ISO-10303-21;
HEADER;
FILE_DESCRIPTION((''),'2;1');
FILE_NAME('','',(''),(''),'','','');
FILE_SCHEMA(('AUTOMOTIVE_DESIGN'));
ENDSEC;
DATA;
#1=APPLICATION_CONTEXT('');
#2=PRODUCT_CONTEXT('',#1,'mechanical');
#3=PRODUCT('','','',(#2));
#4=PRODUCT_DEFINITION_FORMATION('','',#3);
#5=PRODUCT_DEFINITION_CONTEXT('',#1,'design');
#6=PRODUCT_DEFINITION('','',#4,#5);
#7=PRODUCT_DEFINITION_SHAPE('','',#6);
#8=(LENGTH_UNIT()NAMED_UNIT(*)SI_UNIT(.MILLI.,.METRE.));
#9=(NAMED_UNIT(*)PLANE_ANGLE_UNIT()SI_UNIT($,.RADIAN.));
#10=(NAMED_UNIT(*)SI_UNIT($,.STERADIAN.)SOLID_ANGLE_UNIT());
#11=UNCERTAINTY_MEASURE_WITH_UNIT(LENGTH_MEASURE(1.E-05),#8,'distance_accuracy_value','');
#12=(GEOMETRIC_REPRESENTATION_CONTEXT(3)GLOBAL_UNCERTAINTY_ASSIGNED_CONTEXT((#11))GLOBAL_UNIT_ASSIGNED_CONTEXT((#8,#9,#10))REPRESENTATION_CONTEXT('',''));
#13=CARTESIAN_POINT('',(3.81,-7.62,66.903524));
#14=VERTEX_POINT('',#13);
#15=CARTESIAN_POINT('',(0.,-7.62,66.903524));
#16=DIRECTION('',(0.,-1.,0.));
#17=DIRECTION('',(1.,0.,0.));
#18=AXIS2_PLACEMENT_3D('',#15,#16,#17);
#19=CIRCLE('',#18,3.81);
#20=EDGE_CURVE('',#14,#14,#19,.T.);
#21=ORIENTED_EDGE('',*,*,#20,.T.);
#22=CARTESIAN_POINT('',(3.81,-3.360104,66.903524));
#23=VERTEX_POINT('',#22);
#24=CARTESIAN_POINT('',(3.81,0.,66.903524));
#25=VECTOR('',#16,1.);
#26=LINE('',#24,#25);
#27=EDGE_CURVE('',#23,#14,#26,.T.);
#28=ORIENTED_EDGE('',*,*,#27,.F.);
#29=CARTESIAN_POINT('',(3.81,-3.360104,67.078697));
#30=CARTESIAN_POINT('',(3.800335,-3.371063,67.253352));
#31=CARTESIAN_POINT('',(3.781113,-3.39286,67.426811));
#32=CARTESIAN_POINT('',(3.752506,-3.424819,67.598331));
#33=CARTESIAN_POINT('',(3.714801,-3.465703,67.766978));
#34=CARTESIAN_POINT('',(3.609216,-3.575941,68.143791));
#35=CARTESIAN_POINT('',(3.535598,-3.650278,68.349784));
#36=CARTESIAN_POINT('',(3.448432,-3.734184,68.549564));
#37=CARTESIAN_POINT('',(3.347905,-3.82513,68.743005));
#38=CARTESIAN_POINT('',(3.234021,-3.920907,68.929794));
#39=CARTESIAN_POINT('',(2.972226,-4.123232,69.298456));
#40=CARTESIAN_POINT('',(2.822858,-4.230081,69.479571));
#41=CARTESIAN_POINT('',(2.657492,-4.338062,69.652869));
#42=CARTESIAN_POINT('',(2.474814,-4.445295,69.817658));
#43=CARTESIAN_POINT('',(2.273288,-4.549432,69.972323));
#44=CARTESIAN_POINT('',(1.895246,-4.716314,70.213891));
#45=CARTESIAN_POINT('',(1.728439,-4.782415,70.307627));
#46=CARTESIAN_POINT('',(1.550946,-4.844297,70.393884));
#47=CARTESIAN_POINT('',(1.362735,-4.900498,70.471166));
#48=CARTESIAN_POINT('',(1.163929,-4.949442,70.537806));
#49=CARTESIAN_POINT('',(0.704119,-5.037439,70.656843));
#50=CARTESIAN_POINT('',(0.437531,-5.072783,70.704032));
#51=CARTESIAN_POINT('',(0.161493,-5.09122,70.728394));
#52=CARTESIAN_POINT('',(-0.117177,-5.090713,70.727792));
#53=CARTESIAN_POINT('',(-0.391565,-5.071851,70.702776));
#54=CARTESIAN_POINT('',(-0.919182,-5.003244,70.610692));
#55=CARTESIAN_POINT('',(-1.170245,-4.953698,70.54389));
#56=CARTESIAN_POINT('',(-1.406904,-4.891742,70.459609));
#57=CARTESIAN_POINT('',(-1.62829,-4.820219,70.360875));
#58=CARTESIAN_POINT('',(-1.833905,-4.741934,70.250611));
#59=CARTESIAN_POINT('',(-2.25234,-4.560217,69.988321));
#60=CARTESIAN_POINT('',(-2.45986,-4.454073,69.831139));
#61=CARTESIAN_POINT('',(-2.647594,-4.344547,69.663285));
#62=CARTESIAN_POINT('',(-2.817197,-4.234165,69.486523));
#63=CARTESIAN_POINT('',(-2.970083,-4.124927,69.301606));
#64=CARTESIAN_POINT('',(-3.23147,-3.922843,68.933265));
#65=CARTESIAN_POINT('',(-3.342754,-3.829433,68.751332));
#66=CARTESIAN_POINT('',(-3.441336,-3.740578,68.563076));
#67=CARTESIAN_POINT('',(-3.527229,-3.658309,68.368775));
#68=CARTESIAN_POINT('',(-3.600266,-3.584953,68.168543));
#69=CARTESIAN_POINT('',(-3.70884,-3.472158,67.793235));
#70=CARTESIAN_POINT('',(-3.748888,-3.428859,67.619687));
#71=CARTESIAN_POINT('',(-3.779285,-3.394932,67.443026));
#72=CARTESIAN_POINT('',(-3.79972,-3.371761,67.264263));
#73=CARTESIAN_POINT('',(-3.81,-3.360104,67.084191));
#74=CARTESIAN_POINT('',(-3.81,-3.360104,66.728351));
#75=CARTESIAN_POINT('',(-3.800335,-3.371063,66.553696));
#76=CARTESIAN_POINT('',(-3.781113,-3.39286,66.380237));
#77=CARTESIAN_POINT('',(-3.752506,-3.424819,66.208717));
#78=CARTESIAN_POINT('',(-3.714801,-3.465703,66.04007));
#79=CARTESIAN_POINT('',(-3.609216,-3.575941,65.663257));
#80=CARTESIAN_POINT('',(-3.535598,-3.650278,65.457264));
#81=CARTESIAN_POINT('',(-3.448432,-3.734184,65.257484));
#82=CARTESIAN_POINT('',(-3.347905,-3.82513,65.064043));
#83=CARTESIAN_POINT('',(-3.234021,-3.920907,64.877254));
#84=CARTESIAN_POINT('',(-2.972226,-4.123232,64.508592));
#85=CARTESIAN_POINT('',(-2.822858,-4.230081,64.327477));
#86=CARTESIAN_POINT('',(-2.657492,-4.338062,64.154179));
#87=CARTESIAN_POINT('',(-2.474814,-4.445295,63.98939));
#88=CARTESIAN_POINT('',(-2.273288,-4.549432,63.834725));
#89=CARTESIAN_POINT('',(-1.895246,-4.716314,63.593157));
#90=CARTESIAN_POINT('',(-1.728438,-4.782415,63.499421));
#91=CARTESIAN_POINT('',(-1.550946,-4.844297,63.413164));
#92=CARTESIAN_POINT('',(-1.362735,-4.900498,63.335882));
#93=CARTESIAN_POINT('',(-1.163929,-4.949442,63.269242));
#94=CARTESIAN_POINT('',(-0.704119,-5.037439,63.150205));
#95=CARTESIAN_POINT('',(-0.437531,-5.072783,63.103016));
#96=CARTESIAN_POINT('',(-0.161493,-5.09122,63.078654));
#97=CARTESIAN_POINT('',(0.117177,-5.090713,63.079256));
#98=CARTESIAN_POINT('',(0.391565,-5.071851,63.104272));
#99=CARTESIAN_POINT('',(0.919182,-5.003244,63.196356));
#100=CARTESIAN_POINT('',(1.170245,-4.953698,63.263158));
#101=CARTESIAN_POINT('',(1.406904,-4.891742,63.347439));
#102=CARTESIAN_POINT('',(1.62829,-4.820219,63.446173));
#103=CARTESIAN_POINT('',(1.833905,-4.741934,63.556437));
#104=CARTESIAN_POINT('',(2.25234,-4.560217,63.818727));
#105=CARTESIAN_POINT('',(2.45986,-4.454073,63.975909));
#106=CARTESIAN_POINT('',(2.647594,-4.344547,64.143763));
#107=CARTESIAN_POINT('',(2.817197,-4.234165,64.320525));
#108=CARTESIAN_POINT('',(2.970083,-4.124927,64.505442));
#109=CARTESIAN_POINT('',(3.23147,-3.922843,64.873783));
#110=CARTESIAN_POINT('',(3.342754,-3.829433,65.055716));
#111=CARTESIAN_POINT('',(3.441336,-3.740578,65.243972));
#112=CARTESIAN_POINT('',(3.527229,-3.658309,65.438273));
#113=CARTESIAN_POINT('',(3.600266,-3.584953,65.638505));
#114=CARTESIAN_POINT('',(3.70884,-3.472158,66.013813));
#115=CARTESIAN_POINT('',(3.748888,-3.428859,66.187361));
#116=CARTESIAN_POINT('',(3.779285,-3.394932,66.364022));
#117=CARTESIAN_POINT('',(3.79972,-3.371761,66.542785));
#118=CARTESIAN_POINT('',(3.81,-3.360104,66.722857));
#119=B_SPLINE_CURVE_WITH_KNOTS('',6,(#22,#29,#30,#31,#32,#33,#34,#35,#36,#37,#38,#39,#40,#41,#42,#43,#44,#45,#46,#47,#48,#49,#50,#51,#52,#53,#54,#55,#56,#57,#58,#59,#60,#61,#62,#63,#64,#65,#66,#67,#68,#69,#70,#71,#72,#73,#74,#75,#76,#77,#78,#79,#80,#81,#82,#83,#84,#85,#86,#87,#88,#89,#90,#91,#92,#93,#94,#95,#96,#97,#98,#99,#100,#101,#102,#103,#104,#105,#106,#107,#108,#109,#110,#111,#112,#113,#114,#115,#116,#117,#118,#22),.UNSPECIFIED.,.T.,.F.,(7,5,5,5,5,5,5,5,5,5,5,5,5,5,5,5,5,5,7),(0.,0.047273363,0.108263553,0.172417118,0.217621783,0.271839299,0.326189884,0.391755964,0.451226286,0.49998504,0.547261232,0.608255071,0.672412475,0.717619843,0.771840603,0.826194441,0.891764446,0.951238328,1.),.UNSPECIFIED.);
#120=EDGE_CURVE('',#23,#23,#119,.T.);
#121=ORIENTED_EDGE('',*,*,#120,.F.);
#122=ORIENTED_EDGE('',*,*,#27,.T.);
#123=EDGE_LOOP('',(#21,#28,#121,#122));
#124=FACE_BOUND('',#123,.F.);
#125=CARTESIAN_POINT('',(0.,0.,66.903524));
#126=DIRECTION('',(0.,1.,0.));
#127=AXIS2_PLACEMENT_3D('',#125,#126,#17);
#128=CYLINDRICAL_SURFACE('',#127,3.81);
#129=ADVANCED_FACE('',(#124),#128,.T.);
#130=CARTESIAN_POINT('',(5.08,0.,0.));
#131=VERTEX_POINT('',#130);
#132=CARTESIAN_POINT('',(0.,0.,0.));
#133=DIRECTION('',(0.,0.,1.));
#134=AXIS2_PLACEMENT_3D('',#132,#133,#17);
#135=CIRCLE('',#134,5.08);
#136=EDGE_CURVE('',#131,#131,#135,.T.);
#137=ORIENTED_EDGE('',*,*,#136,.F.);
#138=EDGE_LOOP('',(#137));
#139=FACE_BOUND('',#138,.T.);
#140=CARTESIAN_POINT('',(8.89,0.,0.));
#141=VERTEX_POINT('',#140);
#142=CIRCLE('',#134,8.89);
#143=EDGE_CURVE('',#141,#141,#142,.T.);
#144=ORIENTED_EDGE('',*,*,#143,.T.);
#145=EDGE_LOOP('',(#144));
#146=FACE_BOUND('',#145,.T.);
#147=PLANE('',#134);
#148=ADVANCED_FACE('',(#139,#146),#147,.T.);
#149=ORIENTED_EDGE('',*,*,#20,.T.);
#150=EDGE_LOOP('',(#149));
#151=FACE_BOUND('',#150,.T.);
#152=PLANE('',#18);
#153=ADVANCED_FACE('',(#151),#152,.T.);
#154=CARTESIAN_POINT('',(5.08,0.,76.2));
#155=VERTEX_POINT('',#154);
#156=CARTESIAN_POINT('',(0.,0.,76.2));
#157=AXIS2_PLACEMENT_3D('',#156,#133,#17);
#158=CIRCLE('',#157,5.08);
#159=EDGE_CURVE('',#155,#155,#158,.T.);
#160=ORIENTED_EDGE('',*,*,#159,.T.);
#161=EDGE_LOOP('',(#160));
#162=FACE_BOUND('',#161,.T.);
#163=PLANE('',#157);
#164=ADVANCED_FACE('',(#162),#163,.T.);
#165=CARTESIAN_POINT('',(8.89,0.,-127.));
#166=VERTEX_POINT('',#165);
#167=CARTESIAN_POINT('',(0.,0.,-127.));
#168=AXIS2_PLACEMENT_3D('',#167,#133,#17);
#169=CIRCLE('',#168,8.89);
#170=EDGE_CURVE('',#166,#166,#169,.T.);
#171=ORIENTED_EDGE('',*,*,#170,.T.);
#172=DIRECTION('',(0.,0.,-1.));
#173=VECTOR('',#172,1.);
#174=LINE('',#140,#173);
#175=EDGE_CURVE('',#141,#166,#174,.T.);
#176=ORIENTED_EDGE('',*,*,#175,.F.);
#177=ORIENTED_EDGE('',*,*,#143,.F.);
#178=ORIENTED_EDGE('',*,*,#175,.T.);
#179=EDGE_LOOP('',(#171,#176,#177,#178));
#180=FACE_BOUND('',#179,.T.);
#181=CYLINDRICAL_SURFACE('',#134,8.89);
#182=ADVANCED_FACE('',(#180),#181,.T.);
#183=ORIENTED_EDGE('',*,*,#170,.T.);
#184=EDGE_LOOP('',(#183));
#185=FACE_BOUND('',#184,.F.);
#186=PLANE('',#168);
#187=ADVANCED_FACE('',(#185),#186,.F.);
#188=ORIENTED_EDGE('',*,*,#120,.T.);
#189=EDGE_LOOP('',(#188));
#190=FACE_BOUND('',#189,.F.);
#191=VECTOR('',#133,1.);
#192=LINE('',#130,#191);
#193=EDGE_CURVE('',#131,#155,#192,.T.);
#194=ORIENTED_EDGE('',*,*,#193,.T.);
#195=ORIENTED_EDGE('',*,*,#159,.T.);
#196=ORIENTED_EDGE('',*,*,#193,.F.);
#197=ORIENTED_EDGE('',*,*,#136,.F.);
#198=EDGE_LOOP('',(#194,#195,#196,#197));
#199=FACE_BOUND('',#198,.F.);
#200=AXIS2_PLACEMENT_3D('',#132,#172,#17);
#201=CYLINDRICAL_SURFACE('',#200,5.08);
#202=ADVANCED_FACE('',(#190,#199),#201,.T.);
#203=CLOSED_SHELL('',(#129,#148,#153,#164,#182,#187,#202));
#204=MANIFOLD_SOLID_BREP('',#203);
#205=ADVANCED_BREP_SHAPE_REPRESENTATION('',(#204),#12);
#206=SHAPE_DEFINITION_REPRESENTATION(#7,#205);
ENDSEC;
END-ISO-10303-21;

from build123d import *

# Parameters (mm, degrees)
F0_R     = 8.89
F1_DEPTH = 127
F2_R     = 5.08
F3_DEPTH = 76.2
F4_R     = 3.81
F5_DEPTH = 7.62


with BuildPart() as f1:
    # F0 (on Top) → F1 (new body)
    with BuildSketch(Plane.XY):
        Circle(F0_R)
    extrude(amount=-F1_DEPTH)

    # F2 (on Top) → F3 (join)
    with BuildSketch(Plane.XY):
        Circle(F2_R)
    extrude(amount=F3_DEPTH)

    # F4 (on Front) → F5 (join)
    with BuildSketch(Plane.XZ):
        with Locations((0, 66.903524)):
            Circle(F4_R)
    extrude(amount=F5_DEPTH)


solid = f1.part
